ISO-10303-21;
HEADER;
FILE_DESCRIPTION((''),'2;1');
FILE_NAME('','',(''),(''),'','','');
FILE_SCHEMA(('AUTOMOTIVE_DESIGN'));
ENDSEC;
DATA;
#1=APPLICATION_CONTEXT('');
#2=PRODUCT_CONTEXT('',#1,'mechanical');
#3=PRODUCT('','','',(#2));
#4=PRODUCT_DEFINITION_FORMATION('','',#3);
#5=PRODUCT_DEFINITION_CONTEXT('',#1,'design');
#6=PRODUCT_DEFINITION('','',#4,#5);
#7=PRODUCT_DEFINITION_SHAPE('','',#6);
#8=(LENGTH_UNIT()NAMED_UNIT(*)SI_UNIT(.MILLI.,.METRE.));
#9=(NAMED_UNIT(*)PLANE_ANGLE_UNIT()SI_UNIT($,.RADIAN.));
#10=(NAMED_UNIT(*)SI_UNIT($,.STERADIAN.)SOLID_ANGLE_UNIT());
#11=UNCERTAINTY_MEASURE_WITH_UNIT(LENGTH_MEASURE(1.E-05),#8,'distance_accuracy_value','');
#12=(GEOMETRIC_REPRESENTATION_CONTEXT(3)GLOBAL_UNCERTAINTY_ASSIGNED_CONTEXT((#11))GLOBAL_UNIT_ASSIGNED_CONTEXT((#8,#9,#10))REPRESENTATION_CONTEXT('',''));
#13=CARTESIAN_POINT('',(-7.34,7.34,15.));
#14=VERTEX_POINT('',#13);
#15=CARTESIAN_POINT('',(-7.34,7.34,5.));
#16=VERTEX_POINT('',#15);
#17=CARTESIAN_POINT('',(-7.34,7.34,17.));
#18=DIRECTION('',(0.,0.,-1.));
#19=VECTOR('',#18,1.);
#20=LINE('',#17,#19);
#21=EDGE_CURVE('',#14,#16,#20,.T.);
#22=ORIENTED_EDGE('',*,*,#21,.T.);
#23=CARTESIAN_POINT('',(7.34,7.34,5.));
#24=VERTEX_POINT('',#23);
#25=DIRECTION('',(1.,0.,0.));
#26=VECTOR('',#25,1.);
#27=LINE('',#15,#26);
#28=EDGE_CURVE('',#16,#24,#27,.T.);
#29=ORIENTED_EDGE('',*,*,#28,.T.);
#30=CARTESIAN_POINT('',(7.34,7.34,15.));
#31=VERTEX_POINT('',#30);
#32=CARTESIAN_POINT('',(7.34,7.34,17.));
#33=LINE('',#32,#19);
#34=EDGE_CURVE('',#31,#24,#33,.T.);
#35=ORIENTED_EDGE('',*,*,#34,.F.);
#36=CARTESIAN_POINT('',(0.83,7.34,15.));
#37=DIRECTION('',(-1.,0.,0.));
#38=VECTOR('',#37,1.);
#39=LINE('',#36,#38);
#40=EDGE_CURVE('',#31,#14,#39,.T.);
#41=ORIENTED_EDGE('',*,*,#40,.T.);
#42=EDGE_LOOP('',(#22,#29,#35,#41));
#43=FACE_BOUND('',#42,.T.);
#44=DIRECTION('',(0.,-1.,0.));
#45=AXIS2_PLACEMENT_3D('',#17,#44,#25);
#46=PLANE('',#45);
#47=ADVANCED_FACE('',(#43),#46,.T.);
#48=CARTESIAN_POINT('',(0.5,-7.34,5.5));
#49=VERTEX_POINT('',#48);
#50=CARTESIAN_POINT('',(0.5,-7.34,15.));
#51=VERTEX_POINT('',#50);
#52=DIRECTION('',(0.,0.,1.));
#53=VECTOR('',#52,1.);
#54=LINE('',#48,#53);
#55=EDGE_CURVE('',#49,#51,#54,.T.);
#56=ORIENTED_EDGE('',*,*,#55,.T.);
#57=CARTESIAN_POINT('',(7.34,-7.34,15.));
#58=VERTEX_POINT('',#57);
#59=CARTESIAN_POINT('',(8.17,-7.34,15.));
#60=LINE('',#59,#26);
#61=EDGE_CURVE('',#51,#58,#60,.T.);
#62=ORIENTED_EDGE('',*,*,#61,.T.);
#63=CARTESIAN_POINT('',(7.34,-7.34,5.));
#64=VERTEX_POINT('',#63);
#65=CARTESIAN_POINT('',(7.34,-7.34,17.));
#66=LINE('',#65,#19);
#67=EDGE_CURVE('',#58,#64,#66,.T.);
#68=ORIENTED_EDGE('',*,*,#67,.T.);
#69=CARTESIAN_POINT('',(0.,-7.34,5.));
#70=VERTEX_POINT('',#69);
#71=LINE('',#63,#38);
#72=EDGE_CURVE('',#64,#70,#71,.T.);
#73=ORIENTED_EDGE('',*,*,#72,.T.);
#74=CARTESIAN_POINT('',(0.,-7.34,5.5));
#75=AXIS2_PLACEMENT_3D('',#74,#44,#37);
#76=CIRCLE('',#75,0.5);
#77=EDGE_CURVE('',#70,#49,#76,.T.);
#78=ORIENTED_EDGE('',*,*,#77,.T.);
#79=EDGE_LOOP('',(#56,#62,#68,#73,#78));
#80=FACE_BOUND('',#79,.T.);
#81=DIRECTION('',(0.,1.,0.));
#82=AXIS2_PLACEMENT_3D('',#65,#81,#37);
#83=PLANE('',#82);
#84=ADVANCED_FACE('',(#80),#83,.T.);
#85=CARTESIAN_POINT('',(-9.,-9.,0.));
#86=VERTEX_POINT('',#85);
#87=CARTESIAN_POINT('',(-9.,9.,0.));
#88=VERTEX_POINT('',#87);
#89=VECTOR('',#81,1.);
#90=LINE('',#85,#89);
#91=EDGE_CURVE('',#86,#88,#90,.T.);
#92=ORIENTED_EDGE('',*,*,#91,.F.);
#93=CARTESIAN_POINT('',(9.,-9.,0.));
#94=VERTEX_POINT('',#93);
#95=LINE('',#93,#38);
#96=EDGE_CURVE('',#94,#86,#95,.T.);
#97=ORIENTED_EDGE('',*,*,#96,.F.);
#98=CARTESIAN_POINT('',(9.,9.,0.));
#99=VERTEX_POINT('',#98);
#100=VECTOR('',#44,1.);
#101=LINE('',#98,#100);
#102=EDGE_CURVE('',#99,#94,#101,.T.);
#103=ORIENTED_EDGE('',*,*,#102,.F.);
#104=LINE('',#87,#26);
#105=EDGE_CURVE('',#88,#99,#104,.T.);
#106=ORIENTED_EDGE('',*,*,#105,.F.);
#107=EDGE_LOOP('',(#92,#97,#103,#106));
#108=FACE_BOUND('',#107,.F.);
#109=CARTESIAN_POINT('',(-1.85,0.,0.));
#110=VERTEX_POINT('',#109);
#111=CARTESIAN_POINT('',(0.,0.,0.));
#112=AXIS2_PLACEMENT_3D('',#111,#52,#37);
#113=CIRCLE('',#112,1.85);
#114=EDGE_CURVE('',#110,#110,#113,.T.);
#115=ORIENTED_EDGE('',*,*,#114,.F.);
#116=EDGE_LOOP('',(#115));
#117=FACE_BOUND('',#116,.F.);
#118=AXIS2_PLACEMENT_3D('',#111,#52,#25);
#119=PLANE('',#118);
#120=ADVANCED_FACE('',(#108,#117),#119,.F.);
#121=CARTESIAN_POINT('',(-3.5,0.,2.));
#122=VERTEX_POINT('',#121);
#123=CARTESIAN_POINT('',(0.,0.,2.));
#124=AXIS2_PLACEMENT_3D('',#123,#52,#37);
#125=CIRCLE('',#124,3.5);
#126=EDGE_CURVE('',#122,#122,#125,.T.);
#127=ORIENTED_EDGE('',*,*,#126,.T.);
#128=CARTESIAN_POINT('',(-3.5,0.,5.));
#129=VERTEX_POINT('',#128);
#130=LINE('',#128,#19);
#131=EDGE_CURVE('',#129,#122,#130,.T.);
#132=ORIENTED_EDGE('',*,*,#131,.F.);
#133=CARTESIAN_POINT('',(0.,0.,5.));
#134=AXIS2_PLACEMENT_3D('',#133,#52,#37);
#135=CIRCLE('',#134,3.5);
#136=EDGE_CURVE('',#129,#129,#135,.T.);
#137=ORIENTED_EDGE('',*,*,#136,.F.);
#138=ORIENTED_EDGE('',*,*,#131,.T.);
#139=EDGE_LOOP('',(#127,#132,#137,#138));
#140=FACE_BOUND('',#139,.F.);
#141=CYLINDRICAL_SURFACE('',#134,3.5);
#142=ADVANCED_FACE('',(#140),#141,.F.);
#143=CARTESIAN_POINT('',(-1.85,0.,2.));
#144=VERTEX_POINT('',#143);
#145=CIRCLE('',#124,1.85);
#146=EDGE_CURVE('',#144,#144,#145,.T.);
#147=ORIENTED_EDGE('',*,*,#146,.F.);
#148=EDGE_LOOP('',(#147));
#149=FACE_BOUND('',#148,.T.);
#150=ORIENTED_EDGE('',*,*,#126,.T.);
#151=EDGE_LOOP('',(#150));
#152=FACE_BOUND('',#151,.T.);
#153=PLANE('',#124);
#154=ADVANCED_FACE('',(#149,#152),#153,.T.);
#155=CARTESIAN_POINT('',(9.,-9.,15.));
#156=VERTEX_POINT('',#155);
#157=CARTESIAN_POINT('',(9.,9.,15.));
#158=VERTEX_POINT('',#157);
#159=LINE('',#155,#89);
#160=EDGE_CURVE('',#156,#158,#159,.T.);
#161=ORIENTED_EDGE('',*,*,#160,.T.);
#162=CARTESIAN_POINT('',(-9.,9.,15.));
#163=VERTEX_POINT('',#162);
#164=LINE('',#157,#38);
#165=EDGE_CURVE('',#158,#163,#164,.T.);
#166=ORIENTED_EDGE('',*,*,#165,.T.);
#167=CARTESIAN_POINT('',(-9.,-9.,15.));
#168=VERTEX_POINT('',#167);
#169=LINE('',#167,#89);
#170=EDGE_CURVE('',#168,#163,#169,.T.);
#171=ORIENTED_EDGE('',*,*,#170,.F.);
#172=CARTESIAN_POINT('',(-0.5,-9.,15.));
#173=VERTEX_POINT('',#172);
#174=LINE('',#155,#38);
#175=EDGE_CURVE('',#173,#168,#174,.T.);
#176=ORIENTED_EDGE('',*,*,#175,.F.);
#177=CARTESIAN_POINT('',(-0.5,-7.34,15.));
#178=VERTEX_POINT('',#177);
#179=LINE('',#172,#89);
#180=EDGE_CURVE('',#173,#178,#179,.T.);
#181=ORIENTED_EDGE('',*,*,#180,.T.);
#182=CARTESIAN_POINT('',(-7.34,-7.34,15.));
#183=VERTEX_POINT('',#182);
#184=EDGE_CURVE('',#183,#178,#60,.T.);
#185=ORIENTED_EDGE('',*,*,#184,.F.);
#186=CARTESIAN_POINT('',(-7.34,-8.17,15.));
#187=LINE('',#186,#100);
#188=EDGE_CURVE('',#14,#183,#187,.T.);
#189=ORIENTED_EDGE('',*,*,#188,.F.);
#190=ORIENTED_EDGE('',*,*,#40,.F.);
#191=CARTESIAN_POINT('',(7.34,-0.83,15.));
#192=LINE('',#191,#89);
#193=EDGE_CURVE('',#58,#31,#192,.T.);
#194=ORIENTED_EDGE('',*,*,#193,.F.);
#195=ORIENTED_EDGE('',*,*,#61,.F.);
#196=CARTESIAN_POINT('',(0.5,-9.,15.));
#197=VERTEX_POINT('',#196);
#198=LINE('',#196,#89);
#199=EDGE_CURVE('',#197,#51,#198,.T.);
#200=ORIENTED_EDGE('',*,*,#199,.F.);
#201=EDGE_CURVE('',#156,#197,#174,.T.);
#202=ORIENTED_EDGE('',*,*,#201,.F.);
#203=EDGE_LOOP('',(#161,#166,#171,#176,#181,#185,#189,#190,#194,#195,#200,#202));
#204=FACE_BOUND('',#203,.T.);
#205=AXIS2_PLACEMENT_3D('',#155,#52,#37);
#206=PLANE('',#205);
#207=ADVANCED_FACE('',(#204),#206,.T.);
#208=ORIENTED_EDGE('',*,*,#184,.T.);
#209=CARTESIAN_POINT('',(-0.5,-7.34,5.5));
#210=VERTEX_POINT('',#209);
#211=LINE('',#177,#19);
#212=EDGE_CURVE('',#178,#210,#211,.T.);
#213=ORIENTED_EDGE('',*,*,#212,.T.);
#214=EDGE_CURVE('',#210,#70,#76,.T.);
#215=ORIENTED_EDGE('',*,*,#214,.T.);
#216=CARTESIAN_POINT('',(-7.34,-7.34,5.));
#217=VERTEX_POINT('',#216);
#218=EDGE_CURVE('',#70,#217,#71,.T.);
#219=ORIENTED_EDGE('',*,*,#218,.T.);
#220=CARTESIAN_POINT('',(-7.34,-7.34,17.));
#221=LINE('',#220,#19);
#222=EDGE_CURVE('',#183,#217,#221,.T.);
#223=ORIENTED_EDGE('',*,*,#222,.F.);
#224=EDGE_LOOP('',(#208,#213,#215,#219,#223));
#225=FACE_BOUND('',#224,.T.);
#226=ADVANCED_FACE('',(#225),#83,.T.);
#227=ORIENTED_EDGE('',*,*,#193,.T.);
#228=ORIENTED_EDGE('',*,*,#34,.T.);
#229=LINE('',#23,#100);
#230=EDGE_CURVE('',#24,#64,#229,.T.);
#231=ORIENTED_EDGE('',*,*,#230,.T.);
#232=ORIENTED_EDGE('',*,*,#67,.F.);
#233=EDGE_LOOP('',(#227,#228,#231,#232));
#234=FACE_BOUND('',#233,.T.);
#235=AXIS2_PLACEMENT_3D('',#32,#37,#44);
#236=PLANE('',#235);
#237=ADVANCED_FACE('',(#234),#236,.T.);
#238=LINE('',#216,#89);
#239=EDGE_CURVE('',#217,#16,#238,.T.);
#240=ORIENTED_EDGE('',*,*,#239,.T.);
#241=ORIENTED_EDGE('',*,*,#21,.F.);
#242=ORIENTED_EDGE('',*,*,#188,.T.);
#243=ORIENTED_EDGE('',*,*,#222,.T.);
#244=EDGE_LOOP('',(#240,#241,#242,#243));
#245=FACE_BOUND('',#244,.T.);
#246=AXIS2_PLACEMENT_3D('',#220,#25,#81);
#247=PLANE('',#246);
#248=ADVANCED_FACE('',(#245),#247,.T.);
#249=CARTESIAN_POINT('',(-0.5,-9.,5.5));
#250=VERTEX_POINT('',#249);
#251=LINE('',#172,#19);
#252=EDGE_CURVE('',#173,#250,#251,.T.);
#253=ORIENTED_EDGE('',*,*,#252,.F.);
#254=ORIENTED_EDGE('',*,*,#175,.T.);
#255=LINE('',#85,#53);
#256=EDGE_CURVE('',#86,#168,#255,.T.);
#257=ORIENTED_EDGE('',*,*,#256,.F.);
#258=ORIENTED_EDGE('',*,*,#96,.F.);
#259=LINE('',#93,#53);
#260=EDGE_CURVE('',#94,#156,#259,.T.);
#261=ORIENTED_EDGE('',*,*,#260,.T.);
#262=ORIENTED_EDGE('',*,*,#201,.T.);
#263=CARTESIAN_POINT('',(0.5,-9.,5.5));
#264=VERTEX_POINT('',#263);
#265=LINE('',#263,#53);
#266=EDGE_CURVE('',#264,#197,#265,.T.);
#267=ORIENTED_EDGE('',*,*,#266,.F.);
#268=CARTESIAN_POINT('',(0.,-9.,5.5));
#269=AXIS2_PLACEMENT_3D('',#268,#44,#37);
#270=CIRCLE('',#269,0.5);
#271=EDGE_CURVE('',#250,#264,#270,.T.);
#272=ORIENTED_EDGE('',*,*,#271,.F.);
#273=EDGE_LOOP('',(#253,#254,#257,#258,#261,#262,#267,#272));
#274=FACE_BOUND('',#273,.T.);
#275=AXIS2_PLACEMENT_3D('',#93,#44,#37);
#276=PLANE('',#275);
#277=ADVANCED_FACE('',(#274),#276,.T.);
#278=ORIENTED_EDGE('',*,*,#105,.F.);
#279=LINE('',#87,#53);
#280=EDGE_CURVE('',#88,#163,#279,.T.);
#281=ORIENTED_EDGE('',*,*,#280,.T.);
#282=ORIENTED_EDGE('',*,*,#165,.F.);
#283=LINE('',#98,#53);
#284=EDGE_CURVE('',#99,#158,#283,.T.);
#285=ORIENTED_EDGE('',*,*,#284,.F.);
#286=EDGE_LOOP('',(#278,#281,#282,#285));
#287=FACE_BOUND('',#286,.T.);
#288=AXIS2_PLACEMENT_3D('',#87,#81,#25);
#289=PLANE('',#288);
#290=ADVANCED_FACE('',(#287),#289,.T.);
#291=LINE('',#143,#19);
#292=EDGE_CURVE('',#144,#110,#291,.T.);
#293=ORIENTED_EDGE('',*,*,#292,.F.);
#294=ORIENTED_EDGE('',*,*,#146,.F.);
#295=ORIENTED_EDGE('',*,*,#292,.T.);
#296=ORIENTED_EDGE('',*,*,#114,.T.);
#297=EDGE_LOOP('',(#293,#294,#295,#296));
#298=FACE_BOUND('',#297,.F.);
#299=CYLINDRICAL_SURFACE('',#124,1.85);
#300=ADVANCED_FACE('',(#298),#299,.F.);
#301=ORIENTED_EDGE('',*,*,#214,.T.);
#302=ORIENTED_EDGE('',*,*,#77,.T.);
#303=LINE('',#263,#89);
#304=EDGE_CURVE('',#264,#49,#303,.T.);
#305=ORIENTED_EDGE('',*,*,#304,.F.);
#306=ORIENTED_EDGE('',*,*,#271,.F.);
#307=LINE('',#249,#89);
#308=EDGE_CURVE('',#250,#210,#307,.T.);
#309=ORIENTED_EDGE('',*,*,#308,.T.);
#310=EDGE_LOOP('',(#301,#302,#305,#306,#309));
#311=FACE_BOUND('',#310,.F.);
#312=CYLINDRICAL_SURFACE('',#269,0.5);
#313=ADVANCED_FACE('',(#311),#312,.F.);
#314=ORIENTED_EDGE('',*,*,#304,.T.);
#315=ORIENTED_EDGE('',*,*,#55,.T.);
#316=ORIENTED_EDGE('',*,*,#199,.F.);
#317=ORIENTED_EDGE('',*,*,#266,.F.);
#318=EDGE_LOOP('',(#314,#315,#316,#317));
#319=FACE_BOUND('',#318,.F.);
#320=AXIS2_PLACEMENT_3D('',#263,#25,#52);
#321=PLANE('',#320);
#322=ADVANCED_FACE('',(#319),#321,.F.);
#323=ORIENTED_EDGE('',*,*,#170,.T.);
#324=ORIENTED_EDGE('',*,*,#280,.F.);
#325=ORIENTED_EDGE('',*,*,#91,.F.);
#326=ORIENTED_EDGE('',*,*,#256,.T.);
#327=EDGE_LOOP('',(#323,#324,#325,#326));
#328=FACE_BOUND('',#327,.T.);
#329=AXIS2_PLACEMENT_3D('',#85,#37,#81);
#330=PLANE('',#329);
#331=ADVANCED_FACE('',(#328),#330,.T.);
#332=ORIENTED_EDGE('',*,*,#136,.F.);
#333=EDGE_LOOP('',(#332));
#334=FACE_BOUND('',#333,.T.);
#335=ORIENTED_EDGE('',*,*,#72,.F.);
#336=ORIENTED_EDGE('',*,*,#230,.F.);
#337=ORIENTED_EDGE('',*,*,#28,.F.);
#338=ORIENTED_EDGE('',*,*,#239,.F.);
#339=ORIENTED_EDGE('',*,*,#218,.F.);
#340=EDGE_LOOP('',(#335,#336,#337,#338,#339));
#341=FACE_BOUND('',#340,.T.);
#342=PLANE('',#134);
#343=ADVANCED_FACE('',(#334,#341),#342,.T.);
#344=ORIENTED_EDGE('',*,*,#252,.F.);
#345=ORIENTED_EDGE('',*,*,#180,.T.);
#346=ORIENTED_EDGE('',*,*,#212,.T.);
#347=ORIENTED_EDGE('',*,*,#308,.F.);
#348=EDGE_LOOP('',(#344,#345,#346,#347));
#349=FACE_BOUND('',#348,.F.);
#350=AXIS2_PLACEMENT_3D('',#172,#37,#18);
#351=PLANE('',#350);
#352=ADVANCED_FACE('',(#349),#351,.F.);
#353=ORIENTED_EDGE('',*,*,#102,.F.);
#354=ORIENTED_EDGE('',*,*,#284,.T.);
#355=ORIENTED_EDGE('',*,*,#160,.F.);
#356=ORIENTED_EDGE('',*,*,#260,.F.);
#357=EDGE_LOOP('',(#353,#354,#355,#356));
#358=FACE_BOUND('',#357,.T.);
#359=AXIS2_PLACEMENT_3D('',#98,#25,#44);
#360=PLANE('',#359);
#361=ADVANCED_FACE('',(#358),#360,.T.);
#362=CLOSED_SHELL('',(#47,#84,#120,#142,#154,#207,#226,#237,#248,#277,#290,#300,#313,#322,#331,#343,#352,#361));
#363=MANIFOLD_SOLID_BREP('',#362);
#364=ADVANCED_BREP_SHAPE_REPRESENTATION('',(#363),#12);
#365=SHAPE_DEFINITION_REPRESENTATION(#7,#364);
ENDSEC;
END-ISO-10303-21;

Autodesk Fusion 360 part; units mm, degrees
sketch "Sketch1" plane through (0, 0, 0) normal (0, 0, 1) x (1, 0, 0)
  line L0 (9, -9) -> (-9, -9)
  line L1 (-9, -9) -> (-9, 9)
  line L2 (-9, 9) -> (9, 9)
  line L3 (9, 9) -> (9, -9)
  line L4 (9, -9) -> (-9, 9) construction
  line L5 (-9, -9) -> (9, 9) construction
  dimension "d1" = 18
extrude "Extrude1" add sketch "Sketch1" along normal blind 17
sketch "Sketch2" plane through (0, 0, 17) normal (0, 0, 1) x (-1, 0, 0)
  line L0 (-9, -9) -> (9, -9)
  line L1 (9, -9) -> (9, 9)
  line L2 (9, 9) -> (-9, 9)
  line L3 (-9, 9) -> (-9, -9)
  line L4 (-7.34, 7.34) -> (7.34, 7.34)
  line L5 (7.34, 7.34) -> (7.34, -7.34)
  line L6 (7.34, -7.34) -> (-7.34, -7.34)
  line L7 (-7.34, -7.34) -> (-7.34, 7.34)
  line L8 (-7.34, 7.34) -> (7.34, -7.34) construction
  line L9 (7.34, 7.34) -> (-7.34, -7.34) construction
  dimension "d4" = 14.68
extrude "Extrude2" cut sketch "Sketch2" against normal blind 12 contours L4 L5 L6 L7
sketch "Sketch3" plane through (0, 0, 5) normal (0, 0, 1) x (-1, 0, 0)
  line L0 (-7.34, -7.34) -> (7.34, -7.34)
  line L1 (7.34, -7.34) -> (7.34, 7.34)
  line L2 (7.34, 7.34) -> (-7.34, 7.34)
  line L3 (-7.34, 7.34) -> (-7.34, -7.34)
  circle A0 centre (0, 0) radius 3.5
  dimension "d7" = 7
extrude "Extrude3" cut sketch "Sketch3" against normal blind 3 contours A0
sketch "Sketch4" plane through (0, 0, 2) normal (0, 0, 1) x (-1, 0, 0)
  circle A0 centre (0, 0) radius 3.5
  circle A1 centre (0, 0) radius 1.85
  dimension "d10" = 3.7
extrude "Extrude4" cut sketch "Sketch4" against normal blind 2 contours A1
sketch "Sketch5" plane through (0, -9, 0) normal (0, -1, 0) x (1, 0, 0)
  line L0 (-9, 0) -> (9, 0)
  line L1 (9, 0) -> (9, 17)
  line L2 (9, 17) -> (-9, 17)
  line L3 (-9, 17) -> (-9, 0)
  line L4 (-9, 17) -> (9, 17)
  line L5 (9, 17) -> (9, 15)
  line L6 (9, 15) -> (-9, 15)
  line L7 (-9, 15) -> (-9, 17)
  line L8 (-9, 5) -> (9, 5) construction
  dimension "d14" = 5
  dimension "d16" = 10
extrude "Extrude5" cut sketch "Sketch5" against normal blind 18 contours L1 L2 L3 L4 L5 L6 L7
sketch "Sketch6" plane through (0, -9, 0) normal (0, -1, 0) x (1, 0, 0)
  line L0 (9, 15) -> (-9, 15)
  line L1 (-9, 15) -> (-9, 0)
  line L2 (-9, 0) -> (9, 0)
  line L3 (9, 0) -> (9, 15)
  line L4 (-0.5, 15) -> (-0.5, 5.5)
  arc A0 (-0.5, 5.5) -> (0.5, 5.5) centre (0, 5.5) ccw
  line L5 (0.5, 5.5) -> (0.5, 15)
  line L6 (-9, 5) -> (9, 5) construction
  dimension "d19" = 5
  dimension "d20" = 1
extrude "Extrude6" cut sketch "Sketch6" against normal blind 1.66 contours L0 L4 A0 L5
